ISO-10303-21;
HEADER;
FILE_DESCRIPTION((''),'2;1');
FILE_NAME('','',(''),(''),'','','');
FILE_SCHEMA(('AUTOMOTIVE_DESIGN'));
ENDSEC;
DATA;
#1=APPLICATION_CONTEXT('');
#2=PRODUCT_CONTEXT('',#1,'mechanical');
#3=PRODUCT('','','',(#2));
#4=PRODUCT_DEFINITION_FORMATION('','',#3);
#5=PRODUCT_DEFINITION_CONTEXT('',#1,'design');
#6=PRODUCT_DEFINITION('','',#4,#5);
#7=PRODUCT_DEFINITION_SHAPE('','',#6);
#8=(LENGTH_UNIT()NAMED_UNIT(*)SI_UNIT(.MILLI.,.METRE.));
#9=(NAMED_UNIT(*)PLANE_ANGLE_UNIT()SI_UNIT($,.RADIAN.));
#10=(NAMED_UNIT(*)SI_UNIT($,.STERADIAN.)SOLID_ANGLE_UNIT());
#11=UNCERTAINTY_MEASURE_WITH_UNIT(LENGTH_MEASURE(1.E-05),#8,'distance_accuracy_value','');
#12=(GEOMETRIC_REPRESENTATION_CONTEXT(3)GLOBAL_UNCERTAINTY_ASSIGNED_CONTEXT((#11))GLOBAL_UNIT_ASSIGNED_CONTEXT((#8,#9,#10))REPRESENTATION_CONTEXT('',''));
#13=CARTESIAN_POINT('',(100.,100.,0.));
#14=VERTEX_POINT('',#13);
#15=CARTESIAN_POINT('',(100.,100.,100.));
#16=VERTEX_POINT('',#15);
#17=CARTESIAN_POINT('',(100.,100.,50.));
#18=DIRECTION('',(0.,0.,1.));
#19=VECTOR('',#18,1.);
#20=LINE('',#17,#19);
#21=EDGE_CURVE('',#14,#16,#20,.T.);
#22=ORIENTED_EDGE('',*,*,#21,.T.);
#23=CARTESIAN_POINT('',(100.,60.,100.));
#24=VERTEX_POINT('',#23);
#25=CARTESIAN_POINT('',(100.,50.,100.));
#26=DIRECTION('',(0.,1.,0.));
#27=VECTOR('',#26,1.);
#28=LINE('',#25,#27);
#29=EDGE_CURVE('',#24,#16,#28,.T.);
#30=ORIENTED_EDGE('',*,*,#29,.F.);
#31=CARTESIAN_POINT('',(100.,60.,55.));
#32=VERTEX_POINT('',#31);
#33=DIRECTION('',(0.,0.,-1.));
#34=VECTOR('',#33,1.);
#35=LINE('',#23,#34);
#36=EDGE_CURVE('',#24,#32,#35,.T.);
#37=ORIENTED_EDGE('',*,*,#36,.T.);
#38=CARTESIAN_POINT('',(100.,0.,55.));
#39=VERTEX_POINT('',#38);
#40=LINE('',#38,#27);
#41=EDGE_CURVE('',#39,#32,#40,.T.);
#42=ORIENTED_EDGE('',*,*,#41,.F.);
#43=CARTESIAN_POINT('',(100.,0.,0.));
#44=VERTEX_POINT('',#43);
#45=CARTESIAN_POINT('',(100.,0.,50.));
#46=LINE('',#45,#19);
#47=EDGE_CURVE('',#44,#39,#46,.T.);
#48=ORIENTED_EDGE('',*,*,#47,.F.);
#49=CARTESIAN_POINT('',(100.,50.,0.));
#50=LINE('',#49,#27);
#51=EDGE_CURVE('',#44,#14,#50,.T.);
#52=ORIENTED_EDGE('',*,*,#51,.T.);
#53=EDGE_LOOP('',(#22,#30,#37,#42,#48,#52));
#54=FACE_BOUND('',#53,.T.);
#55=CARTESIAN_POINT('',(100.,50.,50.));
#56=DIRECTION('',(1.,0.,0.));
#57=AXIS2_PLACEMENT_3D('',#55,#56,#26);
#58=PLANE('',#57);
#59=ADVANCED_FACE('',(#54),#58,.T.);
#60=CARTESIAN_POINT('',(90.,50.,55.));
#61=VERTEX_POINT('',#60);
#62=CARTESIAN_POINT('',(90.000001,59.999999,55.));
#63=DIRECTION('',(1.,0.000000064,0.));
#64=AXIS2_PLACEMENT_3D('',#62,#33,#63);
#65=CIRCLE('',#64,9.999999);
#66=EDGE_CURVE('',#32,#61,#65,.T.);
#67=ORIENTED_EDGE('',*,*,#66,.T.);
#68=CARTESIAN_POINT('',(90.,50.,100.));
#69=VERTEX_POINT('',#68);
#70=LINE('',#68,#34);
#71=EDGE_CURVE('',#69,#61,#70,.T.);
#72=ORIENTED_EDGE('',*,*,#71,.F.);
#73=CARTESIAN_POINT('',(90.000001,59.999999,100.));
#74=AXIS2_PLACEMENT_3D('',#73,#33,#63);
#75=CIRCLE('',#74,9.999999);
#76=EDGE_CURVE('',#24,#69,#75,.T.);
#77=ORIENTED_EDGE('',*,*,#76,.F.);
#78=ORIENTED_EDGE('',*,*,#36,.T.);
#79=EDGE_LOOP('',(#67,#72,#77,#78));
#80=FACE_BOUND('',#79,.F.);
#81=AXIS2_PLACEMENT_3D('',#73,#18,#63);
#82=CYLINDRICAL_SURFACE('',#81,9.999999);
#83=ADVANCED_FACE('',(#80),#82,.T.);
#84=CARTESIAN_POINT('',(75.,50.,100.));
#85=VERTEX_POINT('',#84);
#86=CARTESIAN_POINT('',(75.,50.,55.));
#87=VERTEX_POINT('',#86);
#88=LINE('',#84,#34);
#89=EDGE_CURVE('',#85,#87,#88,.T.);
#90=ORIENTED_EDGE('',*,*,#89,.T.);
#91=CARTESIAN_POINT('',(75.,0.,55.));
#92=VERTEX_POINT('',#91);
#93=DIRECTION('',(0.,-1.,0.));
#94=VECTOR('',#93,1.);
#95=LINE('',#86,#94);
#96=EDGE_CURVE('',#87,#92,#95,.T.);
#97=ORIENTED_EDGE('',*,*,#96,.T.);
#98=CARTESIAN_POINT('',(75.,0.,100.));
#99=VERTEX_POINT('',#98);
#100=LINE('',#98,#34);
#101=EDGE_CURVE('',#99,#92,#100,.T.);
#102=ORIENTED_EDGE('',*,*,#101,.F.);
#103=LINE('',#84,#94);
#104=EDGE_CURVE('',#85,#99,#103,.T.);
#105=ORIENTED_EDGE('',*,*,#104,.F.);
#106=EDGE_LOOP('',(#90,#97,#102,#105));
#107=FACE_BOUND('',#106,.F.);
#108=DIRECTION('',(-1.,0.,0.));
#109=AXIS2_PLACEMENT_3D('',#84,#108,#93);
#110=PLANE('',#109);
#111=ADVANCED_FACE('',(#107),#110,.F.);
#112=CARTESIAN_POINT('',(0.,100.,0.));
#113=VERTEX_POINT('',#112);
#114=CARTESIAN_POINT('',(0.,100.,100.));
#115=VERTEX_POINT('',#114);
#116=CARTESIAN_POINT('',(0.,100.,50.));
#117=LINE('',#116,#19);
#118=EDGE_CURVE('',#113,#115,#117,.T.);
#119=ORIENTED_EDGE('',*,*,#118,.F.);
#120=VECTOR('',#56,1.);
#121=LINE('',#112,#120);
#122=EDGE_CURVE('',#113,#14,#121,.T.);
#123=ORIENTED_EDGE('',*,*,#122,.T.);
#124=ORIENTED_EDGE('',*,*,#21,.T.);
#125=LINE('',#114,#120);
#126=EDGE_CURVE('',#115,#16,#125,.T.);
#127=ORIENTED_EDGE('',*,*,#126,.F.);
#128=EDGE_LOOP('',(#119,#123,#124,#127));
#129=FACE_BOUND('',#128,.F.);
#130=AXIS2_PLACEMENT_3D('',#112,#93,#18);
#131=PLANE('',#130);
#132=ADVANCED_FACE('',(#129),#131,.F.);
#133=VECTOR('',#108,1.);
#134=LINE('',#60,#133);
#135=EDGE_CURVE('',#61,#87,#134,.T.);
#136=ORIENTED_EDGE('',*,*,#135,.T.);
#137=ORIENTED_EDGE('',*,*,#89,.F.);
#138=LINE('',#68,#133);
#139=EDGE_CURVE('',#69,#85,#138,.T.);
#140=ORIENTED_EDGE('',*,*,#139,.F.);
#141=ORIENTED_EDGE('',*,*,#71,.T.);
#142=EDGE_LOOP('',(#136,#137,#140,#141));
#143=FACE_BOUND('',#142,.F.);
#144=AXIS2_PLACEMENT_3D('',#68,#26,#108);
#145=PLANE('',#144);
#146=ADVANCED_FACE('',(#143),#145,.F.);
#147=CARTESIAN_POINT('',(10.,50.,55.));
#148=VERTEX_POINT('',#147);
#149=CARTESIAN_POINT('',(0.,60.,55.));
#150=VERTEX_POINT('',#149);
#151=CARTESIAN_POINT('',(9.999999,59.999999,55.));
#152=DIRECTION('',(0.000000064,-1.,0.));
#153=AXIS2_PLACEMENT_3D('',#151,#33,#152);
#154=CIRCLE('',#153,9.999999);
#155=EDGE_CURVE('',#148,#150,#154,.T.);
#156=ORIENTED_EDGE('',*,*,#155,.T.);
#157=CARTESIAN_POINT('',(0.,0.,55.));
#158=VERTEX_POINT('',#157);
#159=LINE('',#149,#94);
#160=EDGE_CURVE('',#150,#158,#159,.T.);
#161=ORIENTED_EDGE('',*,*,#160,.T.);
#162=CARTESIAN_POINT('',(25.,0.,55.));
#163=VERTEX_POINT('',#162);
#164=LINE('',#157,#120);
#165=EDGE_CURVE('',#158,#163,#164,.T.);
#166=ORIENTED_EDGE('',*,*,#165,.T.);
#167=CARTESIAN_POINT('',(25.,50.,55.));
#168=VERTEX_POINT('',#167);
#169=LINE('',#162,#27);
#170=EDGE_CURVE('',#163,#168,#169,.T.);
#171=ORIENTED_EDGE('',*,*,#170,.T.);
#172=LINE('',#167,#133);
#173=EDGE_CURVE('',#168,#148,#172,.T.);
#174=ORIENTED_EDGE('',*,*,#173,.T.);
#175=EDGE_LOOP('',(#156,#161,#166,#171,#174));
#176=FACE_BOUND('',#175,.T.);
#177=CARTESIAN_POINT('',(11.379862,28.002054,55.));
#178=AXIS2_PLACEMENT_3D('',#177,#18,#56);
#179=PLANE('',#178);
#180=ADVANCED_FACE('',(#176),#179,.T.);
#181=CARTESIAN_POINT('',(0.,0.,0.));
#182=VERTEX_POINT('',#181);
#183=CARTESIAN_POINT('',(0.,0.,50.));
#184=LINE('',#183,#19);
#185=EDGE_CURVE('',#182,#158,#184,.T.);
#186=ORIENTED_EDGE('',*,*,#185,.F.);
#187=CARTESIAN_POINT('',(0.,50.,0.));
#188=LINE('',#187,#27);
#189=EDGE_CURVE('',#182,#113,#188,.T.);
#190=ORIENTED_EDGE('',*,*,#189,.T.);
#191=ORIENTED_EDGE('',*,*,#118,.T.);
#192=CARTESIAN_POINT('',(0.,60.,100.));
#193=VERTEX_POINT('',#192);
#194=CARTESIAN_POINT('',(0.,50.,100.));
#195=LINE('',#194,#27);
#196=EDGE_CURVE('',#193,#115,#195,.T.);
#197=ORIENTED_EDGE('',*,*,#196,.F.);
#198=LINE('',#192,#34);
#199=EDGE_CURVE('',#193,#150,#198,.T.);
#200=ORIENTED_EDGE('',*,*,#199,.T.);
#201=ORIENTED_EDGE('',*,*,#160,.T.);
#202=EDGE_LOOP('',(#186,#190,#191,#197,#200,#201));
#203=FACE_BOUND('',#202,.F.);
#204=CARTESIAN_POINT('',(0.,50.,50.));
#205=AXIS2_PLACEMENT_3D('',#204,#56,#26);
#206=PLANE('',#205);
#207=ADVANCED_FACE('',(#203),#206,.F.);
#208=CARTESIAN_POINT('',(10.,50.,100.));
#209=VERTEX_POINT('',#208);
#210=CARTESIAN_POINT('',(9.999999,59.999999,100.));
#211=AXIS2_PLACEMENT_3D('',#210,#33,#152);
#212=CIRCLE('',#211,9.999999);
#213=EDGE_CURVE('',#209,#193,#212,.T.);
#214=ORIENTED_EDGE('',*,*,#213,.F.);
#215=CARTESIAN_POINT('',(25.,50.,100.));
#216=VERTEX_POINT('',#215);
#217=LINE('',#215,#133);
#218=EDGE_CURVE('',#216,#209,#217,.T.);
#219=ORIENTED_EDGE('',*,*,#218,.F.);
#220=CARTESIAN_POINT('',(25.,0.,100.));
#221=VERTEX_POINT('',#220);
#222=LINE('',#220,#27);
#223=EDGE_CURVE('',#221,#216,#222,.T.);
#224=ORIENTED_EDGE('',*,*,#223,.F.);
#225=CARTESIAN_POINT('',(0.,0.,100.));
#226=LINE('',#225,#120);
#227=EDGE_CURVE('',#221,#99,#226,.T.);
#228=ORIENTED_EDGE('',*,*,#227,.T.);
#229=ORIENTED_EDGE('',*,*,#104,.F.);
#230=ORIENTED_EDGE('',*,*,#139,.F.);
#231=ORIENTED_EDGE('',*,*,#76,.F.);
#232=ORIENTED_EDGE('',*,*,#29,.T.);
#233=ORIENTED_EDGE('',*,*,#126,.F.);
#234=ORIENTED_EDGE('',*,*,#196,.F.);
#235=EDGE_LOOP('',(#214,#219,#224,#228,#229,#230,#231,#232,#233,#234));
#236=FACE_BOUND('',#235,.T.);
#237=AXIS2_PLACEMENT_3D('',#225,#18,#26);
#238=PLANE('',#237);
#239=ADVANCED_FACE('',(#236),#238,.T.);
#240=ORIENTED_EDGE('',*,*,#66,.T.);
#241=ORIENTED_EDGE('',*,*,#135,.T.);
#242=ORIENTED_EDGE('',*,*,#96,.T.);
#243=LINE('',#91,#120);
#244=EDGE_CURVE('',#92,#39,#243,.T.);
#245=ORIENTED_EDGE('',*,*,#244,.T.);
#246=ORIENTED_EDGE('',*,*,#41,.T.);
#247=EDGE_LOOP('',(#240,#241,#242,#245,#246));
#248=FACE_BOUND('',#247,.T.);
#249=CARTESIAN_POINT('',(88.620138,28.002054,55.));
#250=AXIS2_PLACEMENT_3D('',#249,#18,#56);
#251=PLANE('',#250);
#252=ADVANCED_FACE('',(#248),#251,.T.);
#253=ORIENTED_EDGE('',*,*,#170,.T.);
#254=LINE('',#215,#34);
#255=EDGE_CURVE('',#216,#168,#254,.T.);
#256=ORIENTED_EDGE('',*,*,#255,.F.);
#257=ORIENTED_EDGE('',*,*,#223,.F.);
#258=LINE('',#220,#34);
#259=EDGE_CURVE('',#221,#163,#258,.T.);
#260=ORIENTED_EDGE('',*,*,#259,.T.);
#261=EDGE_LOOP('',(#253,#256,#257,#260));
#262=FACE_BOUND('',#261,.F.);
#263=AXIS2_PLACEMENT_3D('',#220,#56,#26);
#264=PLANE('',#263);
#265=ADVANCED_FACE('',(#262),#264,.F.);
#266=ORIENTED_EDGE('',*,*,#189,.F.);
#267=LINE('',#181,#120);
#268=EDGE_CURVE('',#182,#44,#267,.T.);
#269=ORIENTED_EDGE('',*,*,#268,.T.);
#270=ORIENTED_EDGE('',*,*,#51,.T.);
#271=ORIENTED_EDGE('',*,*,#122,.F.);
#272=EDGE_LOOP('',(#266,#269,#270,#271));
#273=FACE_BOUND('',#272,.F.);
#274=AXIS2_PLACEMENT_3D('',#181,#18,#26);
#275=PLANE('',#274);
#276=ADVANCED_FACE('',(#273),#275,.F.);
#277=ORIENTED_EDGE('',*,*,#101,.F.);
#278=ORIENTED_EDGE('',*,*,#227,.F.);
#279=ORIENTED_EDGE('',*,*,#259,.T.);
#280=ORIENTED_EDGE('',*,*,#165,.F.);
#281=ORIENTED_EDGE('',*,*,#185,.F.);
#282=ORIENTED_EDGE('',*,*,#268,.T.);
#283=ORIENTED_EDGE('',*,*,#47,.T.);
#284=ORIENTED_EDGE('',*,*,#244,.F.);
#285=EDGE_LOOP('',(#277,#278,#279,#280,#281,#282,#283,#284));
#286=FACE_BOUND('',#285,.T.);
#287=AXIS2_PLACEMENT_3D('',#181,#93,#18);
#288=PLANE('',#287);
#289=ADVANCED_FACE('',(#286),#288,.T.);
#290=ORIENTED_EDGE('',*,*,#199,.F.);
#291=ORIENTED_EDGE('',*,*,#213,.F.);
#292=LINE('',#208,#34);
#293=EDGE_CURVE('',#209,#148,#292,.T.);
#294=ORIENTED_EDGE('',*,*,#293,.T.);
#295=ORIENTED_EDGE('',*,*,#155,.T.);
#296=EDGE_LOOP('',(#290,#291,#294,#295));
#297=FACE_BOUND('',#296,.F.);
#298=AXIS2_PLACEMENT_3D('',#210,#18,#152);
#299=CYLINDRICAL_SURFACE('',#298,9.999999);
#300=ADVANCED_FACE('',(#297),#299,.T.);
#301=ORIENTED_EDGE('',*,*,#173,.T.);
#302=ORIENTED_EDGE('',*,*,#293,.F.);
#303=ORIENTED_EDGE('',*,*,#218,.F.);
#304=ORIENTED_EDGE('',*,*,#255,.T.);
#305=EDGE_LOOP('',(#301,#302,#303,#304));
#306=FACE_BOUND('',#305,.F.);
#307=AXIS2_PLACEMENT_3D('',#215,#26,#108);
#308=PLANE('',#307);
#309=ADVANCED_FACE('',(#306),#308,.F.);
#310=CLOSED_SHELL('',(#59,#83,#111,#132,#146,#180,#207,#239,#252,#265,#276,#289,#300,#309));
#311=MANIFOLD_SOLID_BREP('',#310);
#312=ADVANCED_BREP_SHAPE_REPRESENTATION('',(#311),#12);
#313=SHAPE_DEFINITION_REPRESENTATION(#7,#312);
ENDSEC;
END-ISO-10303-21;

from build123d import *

# Parameters (mm, degrees)
F0_W     = 100
F0_H     = 100
F1_DEPTH = 100
F3_DEPTH = 45


with BuildPart() as f1:
    # F0 (on Right) → F1 (new body)
    with BuildSketch(Plane.YZ):
        with Locations((50, 50)):
            Rectangle(F0_W, F0_H)
    extrude(amount=F1_DEPTH)

    # F2 (on face) → F3 (cut)
    with BuildSketch(Plane.XY.offset(100)):
        with BuildLine():
            ThreePointArc((10, 50), (2.928932, 52.928932), (0, 60))
            Line((0, 60), (0, 0))
            Line((0, 0), (25, 0))
            Line((25, 0), (25, 50))
            Line((25, 50), (10, 50))
        make_face()
        with BuildLine():
            Line((100, 0), (100, 60))
            ThreePointArc((100, 60), (97.071068, 52.928932), (90, 50))
            Line((90, 50), (75, 50))
            Line((75, 50), (75, 0))
            Line((75, 0), (100, 0))
        make_face()
    extrude(amount=-F3_DEPTH, mode=Mode.SUBTRACT)


solid = f1.part
